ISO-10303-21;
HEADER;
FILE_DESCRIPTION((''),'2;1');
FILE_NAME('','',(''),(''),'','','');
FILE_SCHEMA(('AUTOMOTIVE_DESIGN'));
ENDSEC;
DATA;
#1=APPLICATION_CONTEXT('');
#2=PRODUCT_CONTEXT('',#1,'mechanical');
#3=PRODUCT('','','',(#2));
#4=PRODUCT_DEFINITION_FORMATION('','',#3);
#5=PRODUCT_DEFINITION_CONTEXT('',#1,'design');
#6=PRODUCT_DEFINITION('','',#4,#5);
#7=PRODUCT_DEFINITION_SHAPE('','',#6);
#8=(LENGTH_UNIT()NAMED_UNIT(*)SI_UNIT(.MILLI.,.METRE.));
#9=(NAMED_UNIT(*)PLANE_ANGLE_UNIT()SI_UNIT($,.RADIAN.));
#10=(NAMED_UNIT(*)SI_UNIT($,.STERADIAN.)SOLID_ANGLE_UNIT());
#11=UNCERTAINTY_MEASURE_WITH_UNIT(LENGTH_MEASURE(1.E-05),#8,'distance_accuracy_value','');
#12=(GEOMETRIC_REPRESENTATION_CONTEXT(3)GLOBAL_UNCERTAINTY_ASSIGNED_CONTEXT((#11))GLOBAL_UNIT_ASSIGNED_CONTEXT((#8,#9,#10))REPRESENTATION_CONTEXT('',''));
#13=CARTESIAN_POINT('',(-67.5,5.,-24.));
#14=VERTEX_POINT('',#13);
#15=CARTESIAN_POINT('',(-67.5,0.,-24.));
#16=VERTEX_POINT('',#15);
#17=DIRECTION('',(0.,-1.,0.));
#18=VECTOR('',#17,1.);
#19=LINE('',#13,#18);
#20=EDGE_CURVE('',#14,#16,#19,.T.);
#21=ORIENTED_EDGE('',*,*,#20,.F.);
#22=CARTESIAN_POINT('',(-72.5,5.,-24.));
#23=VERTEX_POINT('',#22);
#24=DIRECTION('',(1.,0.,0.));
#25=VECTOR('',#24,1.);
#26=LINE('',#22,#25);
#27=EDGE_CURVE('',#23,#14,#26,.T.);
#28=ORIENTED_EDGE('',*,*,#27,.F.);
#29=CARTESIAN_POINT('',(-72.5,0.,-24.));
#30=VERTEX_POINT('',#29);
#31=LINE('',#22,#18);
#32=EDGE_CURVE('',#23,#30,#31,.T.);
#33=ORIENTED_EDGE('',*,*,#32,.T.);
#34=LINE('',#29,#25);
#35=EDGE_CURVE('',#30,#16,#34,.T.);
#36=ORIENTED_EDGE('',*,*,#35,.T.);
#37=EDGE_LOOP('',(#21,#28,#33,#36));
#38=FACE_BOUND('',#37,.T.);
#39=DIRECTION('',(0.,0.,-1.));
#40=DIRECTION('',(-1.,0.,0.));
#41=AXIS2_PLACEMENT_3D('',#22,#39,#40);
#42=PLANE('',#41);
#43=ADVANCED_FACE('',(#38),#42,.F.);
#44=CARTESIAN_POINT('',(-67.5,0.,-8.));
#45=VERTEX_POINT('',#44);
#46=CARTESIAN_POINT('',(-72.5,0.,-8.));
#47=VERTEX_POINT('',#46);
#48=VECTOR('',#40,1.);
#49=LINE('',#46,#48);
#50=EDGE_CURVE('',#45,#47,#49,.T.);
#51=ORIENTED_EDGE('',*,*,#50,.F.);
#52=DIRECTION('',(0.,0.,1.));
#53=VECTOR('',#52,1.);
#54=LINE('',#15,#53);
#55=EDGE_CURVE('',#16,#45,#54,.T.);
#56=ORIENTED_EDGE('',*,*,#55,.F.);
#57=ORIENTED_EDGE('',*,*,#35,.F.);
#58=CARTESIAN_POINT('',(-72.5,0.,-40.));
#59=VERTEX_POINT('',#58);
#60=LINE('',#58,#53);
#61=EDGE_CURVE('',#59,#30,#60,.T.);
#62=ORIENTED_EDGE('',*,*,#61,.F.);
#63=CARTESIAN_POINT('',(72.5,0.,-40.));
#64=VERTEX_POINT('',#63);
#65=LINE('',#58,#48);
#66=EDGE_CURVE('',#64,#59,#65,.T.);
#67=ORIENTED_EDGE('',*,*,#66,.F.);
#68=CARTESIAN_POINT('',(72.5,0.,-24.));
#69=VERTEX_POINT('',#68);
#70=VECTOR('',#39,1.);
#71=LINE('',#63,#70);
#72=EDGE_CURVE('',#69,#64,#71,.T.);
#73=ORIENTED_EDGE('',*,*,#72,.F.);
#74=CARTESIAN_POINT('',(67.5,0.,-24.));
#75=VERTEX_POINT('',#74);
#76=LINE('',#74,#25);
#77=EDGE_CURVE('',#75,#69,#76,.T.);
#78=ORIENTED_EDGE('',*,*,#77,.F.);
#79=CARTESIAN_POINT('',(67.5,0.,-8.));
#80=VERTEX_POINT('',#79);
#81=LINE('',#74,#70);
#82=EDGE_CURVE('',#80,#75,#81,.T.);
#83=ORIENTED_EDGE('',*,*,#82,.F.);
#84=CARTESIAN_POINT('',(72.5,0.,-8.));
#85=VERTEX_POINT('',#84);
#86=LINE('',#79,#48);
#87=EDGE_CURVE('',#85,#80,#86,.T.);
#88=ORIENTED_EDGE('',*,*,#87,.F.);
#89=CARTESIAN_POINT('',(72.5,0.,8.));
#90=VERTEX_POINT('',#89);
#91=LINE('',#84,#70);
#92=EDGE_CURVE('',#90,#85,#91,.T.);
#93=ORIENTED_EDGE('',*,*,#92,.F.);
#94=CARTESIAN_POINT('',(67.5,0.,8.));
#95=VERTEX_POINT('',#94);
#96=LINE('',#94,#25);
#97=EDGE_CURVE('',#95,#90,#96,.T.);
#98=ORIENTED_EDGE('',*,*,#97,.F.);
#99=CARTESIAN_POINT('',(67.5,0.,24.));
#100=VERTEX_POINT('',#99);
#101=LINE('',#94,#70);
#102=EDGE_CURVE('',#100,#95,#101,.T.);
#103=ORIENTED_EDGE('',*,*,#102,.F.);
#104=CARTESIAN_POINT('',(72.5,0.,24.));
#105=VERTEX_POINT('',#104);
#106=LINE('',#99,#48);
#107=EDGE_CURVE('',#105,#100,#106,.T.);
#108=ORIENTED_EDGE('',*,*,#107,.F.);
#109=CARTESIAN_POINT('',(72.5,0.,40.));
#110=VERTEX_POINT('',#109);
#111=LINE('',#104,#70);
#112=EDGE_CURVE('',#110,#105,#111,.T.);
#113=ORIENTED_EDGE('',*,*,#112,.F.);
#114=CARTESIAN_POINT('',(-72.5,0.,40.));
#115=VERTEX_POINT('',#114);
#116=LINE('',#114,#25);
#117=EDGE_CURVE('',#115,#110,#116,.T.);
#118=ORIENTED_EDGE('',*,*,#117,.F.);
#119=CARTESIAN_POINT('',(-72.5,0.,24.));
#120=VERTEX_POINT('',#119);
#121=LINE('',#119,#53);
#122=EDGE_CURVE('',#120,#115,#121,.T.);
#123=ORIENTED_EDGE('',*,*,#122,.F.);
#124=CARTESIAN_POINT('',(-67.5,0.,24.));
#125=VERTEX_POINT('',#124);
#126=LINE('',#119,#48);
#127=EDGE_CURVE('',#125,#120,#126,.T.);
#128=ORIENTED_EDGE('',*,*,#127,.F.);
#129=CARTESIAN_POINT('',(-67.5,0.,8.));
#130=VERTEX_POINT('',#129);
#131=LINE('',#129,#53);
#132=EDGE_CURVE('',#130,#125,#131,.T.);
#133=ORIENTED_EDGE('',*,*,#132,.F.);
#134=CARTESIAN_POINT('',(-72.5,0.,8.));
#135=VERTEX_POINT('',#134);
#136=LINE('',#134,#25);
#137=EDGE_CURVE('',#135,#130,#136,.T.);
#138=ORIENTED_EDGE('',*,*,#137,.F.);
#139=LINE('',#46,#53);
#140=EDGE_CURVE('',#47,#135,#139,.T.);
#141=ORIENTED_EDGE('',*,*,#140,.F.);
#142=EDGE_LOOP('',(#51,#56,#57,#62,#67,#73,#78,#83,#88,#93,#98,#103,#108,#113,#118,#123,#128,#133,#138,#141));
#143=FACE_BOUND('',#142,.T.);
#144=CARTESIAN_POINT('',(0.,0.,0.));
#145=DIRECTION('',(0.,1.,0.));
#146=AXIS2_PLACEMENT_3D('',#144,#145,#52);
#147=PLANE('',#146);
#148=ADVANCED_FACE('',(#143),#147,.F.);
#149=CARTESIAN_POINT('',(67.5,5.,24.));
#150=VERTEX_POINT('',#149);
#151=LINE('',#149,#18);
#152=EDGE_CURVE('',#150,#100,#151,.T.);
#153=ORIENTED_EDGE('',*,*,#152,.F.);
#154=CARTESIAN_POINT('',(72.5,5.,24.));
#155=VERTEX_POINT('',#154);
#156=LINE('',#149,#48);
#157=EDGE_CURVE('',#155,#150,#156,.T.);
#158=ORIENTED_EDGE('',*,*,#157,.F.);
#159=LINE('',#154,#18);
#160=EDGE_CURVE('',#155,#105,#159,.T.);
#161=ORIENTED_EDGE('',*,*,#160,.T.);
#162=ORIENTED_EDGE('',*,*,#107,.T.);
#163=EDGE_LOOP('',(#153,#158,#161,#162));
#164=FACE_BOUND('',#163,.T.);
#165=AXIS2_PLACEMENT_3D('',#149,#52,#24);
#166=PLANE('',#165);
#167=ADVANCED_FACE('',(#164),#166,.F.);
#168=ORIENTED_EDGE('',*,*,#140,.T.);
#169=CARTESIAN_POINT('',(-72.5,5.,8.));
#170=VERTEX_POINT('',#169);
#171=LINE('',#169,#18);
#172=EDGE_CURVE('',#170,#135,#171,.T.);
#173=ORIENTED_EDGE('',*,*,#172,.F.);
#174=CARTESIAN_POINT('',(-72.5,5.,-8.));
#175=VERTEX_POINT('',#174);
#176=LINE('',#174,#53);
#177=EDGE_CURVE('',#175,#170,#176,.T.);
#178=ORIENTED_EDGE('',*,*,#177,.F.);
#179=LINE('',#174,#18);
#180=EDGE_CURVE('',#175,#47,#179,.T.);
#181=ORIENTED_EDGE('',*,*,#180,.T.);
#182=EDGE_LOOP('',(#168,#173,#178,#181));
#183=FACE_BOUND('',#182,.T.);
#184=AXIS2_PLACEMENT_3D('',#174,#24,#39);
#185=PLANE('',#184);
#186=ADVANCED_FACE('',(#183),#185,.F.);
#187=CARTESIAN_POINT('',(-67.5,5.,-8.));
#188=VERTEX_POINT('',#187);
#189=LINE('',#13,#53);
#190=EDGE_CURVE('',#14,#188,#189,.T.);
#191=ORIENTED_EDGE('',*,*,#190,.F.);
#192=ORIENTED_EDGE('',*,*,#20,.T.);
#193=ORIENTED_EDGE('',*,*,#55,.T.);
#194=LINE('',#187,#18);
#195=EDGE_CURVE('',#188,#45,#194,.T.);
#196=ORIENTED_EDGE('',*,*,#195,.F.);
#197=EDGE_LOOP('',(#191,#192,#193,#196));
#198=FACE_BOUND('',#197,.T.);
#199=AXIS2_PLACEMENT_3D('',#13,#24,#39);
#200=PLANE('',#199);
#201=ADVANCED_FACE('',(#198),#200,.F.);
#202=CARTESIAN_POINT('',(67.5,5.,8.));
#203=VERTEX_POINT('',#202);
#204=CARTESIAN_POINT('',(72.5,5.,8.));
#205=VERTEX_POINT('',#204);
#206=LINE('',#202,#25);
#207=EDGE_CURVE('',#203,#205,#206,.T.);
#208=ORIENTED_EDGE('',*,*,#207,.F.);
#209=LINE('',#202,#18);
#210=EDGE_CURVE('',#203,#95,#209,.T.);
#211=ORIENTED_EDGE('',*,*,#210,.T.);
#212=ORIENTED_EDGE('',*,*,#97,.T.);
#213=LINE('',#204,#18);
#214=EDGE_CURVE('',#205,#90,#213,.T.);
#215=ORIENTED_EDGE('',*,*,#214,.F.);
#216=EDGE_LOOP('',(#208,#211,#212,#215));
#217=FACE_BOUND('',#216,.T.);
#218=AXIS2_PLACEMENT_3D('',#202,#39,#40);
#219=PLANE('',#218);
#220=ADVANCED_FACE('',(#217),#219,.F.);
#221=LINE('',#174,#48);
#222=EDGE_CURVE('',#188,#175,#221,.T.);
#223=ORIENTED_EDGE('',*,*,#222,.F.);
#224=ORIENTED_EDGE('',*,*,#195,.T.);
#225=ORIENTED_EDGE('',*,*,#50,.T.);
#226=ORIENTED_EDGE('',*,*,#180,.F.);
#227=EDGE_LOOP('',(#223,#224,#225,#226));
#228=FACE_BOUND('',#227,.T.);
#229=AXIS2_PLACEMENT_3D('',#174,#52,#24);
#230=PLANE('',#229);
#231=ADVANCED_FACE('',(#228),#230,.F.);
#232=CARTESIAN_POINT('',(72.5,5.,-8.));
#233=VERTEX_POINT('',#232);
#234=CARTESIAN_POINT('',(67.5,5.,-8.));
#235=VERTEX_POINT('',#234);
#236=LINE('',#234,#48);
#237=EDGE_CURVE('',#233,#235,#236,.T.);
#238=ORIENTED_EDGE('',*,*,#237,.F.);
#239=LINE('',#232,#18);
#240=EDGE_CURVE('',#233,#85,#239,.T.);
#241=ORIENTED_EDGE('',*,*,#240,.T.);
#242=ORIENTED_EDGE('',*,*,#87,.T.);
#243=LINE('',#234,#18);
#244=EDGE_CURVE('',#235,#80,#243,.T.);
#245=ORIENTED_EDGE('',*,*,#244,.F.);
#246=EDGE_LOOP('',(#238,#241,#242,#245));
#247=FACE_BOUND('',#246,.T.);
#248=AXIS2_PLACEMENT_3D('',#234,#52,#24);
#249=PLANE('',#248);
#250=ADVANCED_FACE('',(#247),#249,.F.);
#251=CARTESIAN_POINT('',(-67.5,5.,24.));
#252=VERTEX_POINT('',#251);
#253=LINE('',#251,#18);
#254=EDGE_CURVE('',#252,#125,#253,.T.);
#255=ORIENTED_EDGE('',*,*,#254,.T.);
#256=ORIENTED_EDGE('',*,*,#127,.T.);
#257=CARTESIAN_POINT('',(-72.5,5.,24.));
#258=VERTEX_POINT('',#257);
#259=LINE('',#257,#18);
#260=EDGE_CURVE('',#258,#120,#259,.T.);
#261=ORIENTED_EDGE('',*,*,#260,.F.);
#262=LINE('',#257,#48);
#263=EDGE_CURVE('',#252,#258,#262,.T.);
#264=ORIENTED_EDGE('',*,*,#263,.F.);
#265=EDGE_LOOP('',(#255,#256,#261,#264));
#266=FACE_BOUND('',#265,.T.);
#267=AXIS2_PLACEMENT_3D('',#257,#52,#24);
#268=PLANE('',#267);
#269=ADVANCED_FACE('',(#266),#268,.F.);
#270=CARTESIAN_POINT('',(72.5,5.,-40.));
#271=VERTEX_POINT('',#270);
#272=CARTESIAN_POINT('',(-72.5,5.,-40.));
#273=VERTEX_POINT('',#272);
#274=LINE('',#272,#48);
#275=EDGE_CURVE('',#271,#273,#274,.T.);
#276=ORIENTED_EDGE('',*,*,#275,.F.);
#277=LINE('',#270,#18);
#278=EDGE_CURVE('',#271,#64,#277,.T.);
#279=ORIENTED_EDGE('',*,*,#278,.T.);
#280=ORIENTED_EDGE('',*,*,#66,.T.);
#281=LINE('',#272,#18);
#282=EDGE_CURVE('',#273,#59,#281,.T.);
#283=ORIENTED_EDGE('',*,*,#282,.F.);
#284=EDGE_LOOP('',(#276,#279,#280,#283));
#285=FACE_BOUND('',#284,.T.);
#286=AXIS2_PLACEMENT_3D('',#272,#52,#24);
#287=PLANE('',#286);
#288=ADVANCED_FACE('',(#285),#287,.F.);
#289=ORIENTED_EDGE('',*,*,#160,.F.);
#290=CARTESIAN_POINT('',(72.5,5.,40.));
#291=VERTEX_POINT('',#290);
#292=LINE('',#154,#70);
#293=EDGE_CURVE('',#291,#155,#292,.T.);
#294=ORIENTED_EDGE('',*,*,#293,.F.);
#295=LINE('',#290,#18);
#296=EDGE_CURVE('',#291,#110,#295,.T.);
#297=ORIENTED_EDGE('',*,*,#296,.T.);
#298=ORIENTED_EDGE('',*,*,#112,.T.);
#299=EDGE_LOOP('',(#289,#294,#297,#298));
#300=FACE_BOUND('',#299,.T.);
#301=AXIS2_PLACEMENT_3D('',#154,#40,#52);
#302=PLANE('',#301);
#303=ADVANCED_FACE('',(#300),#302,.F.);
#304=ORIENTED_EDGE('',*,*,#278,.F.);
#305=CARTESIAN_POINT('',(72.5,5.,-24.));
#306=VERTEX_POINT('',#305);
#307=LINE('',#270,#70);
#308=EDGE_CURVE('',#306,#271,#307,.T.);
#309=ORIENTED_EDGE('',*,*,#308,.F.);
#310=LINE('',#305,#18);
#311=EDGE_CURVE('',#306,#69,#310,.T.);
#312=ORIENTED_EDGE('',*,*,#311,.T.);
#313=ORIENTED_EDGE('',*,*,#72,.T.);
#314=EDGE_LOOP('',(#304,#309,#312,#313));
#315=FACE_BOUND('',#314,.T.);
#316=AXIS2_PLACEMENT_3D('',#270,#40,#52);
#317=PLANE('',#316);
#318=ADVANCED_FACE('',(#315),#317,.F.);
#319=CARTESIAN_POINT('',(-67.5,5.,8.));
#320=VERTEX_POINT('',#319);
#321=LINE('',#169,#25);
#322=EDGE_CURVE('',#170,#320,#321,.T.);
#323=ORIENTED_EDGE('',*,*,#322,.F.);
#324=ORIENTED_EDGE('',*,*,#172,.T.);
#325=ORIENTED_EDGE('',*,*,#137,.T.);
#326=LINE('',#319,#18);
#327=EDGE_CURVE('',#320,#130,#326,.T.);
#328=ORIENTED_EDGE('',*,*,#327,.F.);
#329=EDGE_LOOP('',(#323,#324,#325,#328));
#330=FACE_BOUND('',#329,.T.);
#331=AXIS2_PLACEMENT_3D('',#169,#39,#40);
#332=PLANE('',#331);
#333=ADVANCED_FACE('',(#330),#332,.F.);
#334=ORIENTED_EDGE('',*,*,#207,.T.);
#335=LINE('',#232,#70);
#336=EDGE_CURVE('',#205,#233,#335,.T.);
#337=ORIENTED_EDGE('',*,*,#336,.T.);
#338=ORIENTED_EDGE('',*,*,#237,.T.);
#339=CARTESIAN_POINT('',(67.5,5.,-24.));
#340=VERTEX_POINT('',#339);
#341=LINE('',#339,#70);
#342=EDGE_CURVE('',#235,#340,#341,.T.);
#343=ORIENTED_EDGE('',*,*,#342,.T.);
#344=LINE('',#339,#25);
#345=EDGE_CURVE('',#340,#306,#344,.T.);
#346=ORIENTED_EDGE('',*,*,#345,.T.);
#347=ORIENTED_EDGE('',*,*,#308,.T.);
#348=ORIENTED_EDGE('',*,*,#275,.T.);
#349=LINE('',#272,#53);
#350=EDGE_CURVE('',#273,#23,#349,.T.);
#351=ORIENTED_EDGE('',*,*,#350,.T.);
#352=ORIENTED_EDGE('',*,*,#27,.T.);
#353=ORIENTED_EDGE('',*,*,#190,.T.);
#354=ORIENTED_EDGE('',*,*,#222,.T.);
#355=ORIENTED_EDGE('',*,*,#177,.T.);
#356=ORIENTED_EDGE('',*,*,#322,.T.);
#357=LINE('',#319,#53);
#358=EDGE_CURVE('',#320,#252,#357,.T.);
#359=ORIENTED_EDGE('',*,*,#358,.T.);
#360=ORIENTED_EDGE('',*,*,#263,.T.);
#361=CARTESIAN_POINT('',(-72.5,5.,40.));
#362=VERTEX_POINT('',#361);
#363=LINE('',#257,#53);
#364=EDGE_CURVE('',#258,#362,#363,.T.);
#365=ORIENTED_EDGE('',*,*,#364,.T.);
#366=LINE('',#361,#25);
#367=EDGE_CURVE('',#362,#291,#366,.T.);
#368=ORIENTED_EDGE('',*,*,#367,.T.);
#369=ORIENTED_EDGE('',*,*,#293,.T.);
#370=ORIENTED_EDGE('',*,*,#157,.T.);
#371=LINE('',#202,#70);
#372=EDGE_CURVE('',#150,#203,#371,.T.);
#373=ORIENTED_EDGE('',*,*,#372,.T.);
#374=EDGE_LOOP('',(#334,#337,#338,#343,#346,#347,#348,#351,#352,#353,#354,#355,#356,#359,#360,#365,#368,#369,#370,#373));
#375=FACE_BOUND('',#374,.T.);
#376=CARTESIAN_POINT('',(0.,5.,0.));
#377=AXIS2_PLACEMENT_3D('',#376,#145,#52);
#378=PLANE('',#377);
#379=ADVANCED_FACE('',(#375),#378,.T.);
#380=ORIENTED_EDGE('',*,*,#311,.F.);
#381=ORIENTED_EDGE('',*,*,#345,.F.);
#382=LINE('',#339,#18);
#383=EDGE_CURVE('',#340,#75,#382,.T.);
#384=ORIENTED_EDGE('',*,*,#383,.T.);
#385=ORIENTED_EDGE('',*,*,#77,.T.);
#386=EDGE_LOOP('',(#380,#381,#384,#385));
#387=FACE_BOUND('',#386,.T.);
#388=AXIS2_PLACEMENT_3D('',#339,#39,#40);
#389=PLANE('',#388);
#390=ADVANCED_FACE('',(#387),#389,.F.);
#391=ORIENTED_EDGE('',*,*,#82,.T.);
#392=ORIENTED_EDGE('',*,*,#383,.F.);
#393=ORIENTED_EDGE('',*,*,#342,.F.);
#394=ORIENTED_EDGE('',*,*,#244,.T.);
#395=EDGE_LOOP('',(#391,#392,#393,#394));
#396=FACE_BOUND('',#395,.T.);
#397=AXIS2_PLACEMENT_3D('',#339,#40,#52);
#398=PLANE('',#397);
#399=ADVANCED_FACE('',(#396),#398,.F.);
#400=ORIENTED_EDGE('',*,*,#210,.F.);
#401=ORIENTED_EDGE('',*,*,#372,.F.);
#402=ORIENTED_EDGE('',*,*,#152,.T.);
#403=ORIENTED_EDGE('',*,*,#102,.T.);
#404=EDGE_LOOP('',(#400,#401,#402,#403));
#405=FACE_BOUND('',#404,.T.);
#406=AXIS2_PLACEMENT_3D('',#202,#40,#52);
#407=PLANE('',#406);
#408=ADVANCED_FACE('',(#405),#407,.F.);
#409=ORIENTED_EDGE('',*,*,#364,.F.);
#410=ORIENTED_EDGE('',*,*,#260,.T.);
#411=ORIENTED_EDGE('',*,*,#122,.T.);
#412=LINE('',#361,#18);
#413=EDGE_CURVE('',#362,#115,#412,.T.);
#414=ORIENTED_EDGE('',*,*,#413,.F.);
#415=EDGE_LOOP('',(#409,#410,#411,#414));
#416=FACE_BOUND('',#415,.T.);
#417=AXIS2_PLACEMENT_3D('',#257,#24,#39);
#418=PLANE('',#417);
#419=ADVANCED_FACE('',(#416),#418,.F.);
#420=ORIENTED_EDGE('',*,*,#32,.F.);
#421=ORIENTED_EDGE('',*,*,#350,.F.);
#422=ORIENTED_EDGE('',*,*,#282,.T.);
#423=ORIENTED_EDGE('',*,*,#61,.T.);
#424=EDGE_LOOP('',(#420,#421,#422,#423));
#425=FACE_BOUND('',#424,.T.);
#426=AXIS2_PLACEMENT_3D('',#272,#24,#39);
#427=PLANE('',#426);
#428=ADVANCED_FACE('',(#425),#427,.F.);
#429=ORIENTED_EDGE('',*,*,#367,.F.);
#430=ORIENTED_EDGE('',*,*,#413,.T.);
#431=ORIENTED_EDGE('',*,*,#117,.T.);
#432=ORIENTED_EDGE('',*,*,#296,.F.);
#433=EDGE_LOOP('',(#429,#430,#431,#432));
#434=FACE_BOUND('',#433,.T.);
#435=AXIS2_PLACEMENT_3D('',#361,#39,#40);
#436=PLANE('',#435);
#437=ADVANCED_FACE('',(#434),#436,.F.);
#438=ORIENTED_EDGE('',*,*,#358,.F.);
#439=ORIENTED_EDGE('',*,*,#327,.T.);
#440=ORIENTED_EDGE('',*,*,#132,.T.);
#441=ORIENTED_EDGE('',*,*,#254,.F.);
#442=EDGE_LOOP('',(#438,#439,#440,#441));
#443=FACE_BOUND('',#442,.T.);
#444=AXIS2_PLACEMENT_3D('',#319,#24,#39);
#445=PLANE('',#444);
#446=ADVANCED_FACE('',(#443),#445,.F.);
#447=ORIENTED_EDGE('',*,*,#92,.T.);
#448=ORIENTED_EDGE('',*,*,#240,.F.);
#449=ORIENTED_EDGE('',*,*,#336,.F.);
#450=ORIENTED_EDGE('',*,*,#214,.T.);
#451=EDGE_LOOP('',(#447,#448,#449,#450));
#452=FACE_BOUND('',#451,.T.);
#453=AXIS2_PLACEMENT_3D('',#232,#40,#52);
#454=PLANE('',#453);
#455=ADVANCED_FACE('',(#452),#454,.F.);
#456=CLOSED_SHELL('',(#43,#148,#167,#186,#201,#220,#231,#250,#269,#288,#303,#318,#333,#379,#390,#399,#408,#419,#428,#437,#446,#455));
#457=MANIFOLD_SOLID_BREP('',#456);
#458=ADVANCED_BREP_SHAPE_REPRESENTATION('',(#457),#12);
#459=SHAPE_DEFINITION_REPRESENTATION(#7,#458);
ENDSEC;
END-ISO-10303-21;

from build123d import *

# Parameters (mm, degrees)
BOSS_EXTRUDE1_DEPTH = 5


with BuildPart() as part:
    # Sketch1 → Boss-Extrude1 (new body)
    with BuildSketch(Plane(origin=(0, 0, 0), x_dir=(1, 0, 0), z_dir=(0, 1, 0))):
        Polygon((-67.5, 24), (-67.5, 8), (-72.5, 8), (-72.5, -8), (-67.5, -8), (-67.5, -24), (-72.5, -24), (-72.5, -40), (72.5, -40), (72.5, -24), (67.5, -24), (67.5, -8), (72.5, -8), (72.5, 8), (67.5, 8), (67.5, 24), (72.5, 24), (72.5, 40), (-72.5, 40), (-72.5, 24), align=None)
    extrude(amount=BOSS_EXTRUDE1_DEPTH)


solid = part.part
